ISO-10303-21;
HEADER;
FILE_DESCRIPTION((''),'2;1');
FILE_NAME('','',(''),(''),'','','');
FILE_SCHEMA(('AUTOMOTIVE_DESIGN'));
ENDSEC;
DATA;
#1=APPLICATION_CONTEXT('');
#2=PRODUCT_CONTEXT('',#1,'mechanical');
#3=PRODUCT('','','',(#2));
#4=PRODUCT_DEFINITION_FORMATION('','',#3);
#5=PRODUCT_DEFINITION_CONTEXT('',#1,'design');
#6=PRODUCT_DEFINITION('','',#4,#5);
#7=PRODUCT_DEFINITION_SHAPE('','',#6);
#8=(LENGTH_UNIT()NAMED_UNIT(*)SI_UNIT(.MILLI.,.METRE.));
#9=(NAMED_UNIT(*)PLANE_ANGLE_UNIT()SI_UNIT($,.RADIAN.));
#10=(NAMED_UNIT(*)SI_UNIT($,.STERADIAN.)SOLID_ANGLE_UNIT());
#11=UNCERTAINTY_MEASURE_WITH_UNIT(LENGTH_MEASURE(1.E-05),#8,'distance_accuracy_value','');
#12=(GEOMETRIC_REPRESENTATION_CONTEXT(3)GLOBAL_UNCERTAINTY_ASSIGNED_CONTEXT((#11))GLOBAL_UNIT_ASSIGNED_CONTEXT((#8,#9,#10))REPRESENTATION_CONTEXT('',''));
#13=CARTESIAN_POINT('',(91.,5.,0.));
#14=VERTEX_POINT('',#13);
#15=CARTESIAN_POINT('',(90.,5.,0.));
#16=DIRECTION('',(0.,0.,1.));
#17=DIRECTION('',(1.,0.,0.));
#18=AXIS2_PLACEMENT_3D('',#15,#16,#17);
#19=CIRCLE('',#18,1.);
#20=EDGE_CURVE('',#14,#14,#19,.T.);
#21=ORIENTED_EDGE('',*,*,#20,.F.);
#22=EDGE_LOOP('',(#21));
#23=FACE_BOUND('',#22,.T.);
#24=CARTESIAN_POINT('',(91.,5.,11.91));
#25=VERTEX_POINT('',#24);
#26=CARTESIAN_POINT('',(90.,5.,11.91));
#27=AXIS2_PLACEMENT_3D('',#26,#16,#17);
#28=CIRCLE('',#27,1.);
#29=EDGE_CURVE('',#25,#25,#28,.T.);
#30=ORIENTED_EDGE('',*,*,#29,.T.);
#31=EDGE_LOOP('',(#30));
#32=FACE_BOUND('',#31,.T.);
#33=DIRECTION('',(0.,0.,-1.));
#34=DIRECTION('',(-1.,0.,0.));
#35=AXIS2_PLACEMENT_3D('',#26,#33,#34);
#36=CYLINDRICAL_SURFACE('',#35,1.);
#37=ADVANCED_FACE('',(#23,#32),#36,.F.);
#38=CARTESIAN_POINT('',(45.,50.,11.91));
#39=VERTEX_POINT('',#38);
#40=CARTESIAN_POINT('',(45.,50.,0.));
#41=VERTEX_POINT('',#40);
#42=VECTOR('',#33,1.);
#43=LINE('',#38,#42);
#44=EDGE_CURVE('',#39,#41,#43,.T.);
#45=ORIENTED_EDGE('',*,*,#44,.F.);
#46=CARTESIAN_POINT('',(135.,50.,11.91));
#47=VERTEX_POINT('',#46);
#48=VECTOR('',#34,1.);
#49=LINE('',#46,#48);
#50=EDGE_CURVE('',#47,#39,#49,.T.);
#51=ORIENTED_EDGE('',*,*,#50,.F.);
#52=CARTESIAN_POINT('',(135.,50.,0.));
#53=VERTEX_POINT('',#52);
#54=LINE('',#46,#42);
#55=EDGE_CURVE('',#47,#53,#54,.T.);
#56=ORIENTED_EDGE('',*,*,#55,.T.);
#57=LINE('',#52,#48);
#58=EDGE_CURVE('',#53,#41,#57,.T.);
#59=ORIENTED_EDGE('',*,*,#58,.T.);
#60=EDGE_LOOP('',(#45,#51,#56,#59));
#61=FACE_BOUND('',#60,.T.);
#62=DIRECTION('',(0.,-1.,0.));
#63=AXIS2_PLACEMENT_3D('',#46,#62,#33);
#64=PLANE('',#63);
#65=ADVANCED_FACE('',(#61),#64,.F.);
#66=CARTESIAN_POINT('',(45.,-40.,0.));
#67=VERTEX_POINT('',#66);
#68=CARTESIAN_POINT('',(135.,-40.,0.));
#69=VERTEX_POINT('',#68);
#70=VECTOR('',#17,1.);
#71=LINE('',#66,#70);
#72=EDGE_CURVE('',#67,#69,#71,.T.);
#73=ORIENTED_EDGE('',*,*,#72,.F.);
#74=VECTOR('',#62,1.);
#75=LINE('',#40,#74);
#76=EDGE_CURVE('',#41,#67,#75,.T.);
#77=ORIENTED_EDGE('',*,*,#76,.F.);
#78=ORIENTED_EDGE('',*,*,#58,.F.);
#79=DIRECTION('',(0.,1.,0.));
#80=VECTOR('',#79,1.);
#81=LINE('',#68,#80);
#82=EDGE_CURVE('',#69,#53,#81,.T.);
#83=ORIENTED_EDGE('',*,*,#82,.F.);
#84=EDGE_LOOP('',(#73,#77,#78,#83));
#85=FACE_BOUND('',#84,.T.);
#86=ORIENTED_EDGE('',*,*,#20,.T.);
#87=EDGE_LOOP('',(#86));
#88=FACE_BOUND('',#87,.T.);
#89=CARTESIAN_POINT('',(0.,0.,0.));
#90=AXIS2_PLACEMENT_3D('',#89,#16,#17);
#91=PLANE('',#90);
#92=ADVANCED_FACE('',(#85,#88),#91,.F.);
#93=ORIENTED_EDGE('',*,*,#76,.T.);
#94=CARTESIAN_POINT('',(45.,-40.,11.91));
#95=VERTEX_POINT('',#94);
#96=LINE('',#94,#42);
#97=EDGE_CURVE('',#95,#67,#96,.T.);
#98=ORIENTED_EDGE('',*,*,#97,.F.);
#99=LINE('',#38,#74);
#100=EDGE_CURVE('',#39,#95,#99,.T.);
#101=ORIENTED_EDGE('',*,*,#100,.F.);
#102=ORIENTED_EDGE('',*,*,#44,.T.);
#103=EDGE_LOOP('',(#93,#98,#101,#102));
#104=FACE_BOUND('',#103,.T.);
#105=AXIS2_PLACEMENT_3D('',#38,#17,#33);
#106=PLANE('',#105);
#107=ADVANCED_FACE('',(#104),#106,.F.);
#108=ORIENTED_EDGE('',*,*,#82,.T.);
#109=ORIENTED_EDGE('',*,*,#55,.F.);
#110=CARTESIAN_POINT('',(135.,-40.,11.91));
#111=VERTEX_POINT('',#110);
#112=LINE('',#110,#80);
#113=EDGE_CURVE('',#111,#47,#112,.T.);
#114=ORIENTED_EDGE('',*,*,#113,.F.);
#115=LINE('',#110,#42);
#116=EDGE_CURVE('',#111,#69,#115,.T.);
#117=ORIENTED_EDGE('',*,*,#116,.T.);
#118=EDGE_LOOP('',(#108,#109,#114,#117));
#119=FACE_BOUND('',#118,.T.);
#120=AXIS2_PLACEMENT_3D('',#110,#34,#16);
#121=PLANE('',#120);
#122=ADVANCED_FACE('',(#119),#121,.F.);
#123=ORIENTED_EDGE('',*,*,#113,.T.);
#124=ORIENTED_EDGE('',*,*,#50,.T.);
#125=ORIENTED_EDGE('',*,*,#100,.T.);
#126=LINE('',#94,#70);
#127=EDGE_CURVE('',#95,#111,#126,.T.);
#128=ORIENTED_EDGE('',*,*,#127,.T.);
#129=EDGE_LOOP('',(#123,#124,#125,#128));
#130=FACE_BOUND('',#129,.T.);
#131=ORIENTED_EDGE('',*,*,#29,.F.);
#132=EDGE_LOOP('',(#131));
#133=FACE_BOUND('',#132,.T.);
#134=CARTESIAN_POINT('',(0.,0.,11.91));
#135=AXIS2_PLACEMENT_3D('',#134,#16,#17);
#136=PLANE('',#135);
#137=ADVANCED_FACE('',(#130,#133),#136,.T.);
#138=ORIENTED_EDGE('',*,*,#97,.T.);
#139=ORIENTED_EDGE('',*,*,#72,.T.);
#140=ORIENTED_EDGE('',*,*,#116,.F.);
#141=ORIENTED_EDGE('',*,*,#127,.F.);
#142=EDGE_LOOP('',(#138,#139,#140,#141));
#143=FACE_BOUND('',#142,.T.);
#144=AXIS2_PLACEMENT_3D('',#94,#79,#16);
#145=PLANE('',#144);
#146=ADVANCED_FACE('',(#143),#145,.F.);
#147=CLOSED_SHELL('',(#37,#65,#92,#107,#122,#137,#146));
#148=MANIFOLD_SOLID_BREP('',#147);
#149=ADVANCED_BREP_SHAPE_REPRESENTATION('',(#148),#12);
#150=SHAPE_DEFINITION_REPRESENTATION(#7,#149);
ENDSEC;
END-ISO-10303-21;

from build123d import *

# Parameters (mm, degrees)
SKETCH1_W           = 90
SKETCH1_H           = 90
SKETCH1_R           = 1
BOSS_EXTRUDE1_DEPTH = 11.91


with BuildPart() as part:
    # Sketch1 → Boss-Extrude1 (new body)
    with BuildSketch(Plane.XY):
        with Locations((90, 5)):
            Rectangle(SKETCH1_W, SKETCH1_H)
        with Locations((90, 5)):
            Circle(SKETCH1_R, mode=Mode.SUBTRACT)
    extrude(amount=BOSS_EXTRUDE1_DEPTH)


solid = part.part
